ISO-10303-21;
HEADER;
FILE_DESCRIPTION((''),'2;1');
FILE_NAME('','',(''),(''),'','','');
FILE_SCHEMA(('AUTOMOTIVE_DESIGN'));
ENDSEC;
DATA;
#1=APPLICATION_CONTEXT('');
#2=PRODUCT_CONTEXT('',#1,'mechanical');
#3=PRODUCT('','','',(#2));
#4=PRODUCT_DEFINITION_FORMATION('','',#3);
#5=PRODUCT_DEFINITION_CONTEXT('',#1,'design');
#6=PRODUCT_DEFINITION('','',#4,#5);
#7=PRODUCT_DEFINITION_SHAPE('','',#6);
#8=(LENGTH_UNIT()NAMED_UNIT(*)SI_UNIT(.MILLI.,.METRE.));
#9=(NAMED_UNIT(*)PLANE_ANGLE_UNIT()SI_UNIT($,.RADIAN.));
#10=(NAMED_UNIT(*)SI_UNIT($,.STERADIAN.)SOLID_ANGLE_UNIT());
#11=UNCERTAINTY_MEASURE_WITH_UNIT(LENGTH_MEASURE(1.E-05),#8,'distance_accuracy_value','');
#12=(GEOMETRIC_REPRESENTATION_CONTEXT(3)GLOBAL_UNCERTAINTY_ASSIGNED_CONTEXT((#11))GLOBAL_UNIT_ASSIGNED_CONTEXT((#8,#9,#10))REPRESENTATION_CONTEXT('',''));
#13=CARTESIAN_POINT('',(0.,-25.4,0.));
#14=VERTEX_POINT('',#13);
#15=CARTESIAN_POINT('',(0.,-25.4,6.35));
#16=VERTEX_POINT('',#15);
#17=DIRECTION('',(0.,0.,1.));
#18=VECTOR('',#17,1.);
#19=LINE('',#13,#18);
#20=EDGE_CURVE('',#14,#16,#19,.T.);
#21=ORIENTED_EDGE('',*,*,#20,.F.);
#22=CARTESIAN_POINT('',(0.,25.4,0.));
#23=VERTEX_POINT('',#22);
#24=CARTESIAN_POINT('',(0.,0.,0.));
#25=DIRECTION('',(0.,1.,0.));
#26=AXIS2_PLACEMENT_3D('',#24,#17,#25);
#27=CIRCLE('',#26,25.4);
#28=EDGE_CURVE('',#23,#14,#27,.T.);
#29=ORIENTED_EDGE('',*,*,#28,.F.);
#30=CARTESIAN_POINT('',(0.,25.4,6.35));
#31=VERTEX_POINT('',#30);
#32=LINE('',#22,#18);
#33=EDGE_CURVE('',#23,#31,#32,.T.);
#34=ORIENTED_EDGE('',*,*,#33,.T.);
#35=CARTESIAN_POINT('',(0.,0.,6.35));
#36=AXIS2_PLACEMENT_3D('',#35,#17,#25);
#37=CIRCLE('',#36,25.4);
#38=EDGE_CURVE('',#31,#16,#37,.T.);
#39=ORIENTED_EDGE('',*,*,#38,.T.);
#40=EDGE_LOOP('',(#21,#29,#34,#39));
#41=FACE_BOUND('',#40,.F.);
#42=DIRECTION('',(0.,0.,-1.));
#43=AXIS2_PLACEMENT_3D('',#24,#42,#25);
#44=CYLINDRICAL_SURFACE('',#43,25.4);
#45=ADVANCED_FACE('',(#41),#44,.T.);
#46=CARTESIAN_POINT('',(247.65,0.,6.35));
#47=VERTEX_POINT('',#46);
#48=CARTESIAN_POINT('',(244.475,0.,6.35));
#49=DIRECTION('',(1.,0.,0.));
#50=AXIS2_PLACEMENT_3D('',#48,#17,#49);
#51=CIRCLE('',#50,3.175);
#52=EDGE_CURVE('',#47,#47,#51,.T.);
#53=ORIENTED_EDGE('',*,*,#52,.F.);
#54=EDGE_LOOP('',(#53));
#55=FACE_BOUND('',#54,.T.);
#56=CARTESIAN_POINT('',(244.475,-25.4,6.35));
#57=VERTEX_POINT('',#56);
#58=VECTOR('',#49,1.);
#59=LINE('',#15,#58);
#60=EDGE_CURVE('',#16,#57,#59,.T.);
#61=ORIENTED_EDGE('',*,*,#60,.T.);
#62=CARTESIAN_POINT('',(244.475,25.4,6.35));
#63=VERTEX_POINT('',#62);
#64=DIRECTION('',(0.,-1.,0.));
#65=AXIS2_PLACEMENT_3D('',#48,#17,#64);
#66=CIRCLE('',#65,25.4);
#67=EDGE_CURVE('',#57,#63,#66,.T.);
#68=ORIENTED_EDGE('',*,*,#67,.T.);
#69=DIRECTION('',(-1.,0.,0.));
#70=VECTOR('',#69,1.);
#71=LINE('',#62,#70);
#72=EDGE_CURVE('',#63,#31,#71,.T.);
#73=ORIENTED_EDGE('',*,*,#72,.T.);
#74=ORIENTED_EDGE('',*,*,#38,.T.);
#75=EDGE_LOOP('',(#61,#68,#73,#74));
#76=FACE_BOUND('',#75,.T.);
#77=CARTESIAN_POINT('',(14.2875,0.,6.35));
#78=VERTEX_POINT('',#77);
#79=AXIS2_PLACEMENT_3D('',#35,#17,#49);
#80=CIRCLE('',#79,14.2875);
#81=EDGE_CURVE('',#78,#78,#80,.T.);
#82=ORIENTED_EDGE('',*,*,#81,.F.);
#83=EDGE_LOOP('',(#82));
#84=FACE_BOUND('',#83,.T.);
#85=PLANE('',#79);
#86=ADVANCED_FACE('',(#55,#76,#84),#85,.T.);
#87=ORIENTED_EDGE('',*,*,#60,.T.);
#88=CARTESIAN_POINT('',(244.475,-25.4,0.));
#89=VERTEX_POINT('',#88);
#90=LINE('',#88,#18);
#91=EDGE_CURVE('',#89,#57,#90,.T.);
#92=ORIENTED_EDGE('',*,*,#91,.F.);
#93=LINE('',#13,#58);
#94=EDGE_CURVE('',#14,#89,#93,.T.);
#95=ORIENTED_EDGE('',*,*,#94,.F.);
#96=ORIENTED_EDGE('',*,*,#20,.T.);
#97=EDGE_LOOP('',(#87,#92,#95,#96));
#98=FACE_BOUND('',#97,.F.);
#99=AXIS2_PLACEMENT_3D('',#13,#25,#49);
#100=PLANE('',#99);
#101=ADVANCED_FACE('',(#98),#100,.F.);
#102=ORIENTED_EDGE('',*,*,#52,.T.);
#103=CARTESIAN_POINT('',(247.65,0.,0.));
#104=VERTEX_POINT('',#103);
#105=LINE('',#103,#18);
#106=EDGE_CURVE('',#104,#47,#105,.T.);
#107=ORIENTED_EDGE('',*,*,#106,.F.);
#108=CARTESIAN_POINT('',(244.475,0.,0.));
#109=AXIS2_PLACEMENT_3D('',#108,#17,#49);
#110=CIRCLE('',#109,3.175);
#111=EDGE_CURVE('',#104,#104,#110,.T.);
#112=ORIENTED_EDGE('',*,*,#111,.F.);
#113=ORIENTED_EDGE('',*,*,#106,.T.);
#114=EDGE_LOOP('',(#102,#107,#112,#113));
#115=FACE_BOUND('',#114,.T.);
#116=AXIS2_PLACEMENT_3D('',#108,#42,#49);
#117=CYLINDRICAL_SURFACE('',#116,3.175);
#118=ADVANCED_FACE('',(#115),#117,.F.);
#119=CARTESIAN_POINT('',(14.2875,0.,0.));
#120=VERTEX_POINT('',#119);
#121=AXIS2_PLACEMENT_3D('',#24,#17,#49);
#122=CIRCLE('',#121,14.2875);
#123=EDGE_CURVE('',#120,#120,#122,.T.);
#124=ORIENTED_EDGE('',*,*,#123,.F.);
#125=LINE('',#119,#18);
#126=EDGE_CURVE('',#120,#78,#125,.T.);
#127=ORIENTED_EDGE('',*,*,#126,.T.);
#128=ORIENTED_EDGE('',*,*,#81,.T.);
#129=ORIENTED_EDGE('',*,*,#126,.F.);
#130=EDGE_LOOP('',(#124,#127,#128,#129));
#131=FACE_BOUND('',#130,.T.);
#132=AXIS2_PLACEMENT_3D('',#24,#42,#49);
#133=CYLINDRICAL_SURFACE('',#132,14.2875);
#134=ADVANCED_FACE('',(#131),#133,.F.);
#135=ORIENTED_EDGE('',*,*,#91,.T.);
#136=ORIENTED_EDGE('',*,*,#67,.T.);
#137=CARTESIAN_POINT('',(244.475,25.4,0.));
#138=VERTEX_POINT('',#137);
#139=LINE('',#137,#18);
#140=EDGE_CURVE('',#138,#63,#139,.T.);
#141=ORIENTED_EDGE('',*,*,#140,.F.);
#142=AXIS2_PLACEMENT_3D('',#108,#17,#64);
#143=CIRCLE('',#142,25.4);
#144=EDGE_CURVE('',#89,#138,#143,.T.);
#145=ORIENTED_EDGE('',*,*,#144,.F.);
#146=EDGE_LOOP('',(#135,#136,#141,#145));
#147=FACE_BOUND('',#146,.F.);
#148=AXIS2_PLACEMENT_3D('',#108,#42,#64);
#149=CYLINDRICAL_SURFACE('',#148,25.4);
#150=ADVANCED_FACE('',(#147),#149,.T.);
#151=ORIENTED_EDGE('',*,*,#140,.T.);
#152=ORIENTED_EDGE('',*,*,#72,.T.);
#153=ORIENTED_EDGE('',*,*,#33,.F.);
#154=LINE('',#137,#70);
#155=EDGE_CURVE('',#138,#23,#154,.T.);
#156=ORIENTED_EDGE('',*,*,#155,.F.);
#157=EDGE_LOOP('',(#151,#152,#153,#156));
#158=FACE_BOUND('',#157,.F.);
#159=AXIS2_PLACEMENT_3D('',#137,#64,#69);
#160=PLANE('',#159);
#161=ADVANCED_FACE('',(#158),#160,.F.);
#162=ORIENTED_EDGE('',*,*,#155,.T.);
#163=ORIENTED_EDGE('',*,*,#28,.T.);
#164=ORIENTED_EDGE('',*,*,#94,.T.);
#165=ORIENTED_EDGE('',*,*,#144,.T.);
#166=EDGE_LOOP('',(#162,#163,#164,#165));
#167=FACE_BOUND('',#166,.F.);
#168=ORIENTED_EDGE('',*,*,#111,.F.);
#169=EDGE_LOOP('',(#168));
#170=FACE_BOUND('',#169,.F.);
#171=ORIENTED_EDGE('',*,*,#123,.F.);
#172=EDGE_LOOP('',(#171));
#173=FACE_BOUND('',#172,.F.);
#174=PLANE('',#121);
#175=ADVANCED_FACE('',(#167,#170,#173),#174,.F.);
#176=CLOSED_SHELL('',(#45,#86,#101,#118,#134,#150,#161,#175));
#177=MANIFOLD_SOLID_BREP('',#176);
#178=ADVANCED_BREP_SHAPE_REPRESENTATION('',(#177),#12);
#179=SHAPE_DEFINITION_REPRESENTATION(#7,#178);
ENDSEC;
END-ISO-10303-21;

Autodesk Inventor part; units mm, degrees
ref_plane "YZ Plane" through (0, 0, 0) normal (1, 0, 0) x (0, 1, 0)
ref_plane "XZ Plane" through (0, 0, 0) normal (0, 1, 0) x (-1, 0, 0)
ref_plane "XY Plane" through (0, 0, 0) normal (0, 0, 1) x (1, 0, 0)
sketch "Sketch1" plane through (0, 0, 0) normal (0, 0, 1) x (1, 0, 0)
  circle A0 centre (0, 0) radius 14.2875
  circle A1 centre (244.475, 0) radius 3.175
  line L0 (0, 0) -> (244.475, 0) construction
  line L1 (0, 0) -> (244.475, 0) construction
  line L2 (0, -25.4) -> (244.475, -25.4)
  line L3 (244.475, 25.4) -> (0, 25.4)
  arc A2 (0, 25.4) -> (0, -25.4) centre (0, 0) ccw
  arc A3 (244.475, -25.4) -> (244.475, 25.4) centre (244.475, 0) ccw
  point P0 (122.2375, 0)
  dimension "d0" = 28.575
  dimension "d1" = 244.475
  dimension "d2" = 50.8
  dimension "d3" = 6.35
extrude "Extrusion1" add sketch "Sketch1" along normal blind 6.35
properties part number "GP4-004" material "Aluminum 6061"
